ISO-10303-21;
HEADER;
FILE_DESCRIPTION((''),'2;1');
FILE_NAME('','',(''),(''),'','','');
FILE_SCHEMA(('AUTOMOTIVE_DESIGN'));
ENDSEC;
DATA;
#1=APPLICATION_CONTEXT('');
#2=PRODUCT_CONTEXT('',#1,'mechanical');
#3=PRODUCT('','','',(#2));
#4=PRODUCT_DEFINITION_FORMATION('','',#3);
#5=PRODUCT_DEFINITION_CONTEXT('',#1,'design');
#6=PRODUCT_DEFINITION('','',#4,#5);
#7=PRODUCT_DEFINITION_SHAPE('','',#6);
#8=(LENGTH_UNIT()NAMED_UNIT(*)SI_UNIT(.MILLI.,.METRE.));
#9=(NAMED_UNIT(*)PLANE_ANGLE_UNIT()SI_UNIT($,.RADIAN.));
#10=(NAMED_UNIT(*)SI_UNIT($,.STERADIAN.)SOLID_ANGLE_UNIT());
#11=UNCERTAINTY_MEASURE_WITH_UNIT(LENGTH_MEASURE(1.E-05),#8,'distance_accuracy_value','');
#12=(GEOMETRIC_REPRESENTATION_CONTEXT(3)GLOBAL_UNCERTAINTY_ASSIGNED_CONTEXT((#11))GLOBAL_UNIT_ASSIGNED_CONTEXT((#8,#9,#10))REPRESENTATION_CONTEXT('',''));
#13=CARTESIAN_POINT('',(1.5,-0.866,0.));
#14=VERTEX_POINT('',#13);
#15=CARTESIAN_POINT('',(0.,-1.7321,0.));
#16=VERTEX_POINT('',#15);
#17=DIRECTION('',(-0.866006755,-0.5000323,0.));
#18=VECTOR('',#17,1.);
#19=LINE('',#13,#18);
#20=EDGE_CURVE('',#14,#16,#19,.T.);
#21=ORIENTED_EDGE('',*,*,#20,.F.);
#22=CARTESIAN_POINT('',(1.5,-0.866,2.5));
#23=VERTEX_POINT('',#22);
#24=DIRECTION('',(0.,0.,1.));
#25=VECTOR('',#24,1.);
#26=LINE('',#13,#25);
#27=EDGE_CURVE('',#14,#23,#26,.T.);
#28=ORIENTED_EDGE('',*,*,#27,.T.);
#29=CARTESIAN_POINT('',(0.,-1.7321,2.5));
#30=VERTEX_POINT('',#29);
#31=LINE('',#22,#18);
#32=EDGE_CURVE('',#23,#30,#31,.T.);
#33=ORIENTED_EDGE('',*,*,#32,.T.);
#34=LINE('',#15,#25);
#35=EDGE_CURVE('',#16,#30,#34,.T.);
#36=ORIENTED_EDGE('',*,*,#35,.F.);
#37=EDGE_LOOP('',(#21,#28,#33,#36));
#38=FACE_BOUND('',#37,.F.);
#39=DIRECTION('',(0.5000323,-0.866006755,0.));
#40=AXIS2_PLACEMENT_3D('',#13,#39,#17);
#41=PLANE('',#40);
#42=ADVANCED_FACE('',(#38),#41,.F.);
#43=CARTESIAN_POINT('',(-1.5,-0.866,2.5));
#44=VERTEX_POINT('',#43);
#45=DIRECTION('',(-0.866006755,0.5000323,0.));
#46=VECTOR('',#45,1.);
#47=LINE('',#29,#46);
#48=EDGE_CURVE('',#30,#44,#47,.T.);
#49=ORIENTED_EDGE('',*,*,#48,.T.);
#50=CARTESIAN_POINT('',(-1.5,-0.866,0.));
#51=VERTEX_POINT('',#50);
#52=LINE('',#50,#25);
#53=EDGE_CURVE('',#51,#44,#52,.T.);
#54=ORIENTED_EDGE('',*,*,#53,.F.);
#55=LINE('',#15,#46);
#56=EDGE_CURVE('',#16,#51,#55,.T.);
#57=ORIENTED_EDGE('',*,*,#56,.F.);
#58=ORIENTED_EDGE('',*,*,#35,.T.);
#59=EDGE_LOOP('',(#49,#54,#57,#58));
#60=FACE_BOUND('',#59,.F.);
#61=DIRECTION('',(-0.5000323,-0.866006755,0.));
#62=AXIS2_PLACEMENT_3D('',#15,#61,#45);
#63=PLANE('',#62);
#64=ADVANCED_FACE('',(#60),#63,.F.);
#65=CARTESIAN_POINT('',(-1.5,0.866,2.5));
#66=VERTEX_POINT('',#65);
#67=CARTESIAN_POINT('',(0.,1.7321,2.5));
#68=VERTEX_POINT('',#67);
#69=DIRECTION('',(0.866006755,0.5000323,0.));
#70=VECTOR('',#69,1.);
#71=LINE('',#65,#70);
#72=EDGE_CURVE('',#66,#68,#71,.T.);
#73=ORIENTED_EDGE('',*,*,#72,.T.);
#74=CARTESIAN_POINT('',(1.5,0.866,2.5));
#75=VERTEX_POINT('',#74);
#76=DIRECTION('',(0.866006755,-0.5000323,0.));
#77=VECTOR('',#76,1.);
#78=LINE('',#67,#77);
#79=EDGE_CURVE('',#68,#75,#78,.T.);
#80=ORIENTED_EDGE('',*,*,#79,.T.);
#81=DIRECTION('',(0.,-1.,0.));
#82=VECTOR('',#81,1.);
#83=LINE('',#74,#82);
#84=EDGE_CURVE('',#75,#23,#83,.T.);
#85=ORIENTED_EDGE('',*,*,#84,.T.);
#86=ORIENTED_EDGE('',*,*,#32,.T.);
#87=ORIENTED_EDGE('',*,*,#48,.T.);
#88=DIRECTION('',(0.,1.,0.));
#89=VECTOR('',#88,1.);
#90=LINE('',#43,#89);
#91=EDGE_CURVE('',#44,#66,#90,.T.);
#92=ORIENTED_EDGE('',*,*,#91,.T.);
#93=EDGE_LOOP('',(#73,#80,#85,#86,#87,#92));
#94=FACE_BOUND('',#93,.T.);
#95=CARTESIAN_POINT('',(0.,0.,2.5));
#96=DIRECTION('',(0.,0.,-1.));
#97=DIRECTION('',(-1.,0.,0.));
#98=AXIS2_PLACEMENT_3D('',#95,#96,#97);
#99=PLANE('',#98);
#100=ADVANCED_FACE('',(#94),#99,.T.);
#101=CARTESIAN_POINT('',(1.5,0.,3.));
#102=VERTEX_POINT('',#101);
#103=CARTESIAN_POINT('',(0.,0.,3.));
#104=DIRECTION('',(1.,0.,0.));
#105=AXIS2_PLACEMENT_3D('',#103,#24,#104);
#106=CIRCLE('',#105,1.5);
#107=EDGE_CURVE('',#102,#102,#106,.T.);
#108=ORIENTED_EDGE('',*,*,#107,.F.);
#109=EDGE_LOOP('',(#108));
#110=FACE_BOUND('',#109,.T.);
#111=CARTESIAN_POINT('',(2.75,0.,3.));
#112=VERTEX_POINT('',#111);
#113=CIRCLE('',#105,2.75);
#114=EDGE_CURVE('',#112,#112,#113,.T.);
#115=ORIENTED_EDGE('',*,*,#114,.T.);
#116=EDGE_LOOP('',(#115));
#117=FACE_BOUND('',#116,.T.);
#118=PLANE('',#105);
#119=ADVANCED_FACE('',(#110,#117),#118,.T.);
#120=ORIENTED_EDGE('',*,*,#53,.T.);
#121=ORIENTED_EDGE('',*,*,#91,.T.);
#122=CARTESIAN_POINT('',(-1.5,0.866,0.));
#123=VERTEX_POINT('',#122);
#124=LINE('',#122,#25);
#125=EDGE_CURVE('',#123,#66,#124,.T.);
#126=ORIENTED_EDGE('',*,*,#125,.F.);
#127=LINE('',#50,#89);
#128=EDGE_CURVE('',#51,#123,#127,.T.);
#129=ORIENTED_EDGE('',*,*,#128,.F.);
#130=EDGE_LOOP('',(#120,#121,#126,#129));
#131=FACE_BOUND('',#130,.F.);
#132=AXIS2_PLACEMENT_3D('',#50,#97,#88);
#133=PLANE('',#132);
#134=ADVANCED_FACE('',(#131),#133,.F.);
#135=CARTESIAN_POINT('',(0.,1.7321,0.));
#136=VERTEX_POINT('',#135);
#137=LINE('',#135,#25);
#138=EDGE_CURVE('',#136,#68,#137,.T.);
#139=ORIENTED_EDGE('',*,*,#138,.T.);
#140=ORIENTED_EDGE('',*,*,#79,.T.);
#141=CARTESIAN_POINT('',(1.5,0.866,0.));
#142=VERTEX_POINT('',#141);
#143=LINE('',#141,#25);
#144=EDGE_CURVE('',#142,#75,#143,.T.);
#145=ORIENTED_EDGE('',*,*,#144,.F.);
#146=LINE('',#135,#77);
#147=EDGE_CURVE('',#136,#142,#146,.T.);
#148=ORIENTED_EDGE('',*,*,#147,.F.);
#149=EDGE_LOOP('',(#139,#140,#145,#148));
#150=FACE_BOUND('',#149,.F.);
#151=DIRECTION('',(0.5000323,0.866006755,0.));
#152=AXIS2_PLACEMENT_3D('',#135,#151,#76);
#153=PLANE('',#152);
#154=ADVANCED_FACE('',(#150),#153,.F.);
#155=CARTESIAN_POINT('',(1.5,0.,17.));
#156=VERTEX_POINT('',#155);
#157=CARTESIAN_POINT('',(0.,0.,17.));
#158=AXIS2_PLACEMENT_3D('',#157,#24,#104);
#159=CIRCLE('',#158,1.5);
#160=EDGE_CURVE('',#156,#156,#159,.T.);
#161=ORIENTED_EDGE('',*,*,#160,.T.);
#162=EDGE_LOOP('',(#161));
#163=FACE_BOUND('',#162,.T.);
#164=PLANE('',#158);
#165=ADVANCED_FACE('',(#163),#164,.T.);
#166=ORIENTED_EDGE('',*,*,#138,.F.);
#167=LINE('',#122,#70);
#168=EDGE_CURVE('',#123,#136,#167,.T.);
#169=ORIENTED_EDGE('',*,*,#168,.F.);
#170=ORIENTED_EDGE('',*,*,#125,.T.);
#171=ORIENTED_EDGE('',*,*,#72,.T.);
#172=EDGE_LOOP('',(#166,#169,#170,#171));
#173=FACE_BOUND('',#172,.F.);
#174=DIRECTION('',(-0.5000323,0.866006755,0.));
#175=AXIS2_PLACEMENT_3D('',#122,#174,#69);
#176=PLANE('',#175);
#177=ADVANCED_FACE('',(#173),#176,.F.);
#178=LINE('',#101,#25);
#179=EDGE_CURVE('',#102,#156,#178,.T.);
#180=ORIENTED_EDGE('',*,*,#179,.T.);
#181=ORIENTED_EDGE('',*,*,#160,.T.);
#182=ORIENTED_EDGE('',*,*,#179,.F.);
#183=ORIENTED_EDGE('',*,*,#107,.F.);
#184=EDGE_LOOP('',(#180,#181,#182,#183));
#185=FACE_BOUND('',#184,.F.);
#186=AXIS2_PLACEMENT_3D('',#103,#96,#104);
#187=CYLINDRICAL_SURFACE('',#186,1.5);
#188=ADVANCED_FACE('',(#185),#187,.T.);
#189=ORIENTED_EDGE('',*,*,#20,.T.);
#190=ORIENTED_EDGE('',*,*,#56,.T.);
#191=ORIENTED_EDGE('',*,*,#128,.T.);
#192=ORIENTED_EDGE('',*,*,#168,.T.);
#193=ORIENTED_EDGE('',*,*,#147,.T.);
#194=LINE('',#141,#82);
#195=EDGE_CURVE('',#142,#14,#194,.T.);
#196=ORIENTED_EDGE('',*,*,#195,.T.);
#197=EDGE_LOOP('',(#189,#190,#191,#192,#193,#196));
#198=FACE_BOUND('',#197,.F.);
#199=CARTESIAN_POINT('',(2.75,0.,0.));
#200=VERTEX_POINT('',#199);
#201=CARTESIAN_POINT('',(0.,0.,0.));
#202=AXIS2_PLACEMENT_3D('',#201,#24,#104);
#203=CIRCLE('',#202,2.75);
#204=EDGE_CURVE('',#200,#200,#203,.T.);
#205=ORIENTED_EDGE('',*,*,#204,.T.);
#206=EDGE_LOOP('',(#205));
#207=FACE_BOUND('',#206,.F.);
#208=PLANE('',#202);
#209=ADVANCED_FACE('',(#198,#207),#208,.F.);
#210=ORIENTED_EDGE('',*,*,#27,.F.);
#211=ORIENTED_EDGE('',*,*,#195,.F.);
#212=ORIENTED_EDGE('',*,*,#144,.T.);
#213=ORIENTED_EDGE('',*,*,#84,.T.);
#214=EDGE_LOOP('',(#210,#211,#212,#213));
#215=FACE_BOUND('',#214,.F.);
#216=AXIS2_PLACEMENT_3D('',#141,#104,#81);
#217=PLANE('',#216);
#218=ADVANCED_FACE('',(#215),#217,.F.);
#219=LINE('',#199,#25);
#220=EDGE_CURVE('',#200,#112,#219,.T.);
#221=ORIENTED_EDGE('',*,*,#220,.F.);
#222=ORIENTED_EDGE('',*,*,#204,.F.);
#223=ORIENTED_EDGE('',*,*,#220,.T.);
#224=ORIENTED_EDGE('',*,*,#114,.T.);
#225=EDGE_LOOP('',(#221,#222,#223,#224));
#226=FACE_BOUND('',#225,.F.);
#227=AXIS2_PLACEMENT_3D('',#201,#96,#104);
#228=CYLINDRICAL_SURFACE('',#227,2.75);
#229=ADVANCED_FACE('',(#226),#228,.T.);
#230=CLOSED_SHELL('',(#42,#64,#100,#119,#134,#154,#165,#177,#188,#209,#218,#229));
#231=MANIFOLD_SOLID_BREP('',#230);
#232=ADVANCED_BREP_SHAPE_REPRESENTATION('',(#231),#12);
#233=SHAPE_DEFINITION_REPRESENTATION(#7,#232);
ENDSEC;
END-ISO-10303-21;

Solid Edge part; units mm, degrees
sketch "Sketch1" plane through (0, 0, 0) normal (0, 0, 1) x (1, 0, 0)
  circle A0 centre (0, 0) radius 2.75
  dimension "D1" = 5.5
extrude "Protrusion1" add sketch "Sketch1" along normal blind 3
sketch "Sketch2" plane through (0, 0, 3) normal (0, 0, 1) x (1, 0, 0)
  circle A0 centre (0, 0) radius 1.5
  dimension "D1" = 3
extrude "Bult" add sketch "Sketch2" along normal blind 14
sketch "Sketch3" plane through (0, 0, 0) normal (0, 0, -1) x (1, 0, 0)
  line L0 (1.5, 0.866) -> (0, 1.7321)
  line L1 (0, 1.7321) -> (-1.5, 0.866)
  line L2 (-1.5, 0.866) -> (-1.5, -0.866)
  line L3 (-1.5, -0.866) -> (0, -1.7321)
  line L4 (0, -1.7321) -> (1.5, -0.866)
  line L5 (1.5, -0.866) -> (1.5, 0.866)
  dimension "D1" = 3
  dimension "D2" = 1.5
extrude "Försänkning_skruv" cut sketch "Sketch3" against normal blind 2.5
